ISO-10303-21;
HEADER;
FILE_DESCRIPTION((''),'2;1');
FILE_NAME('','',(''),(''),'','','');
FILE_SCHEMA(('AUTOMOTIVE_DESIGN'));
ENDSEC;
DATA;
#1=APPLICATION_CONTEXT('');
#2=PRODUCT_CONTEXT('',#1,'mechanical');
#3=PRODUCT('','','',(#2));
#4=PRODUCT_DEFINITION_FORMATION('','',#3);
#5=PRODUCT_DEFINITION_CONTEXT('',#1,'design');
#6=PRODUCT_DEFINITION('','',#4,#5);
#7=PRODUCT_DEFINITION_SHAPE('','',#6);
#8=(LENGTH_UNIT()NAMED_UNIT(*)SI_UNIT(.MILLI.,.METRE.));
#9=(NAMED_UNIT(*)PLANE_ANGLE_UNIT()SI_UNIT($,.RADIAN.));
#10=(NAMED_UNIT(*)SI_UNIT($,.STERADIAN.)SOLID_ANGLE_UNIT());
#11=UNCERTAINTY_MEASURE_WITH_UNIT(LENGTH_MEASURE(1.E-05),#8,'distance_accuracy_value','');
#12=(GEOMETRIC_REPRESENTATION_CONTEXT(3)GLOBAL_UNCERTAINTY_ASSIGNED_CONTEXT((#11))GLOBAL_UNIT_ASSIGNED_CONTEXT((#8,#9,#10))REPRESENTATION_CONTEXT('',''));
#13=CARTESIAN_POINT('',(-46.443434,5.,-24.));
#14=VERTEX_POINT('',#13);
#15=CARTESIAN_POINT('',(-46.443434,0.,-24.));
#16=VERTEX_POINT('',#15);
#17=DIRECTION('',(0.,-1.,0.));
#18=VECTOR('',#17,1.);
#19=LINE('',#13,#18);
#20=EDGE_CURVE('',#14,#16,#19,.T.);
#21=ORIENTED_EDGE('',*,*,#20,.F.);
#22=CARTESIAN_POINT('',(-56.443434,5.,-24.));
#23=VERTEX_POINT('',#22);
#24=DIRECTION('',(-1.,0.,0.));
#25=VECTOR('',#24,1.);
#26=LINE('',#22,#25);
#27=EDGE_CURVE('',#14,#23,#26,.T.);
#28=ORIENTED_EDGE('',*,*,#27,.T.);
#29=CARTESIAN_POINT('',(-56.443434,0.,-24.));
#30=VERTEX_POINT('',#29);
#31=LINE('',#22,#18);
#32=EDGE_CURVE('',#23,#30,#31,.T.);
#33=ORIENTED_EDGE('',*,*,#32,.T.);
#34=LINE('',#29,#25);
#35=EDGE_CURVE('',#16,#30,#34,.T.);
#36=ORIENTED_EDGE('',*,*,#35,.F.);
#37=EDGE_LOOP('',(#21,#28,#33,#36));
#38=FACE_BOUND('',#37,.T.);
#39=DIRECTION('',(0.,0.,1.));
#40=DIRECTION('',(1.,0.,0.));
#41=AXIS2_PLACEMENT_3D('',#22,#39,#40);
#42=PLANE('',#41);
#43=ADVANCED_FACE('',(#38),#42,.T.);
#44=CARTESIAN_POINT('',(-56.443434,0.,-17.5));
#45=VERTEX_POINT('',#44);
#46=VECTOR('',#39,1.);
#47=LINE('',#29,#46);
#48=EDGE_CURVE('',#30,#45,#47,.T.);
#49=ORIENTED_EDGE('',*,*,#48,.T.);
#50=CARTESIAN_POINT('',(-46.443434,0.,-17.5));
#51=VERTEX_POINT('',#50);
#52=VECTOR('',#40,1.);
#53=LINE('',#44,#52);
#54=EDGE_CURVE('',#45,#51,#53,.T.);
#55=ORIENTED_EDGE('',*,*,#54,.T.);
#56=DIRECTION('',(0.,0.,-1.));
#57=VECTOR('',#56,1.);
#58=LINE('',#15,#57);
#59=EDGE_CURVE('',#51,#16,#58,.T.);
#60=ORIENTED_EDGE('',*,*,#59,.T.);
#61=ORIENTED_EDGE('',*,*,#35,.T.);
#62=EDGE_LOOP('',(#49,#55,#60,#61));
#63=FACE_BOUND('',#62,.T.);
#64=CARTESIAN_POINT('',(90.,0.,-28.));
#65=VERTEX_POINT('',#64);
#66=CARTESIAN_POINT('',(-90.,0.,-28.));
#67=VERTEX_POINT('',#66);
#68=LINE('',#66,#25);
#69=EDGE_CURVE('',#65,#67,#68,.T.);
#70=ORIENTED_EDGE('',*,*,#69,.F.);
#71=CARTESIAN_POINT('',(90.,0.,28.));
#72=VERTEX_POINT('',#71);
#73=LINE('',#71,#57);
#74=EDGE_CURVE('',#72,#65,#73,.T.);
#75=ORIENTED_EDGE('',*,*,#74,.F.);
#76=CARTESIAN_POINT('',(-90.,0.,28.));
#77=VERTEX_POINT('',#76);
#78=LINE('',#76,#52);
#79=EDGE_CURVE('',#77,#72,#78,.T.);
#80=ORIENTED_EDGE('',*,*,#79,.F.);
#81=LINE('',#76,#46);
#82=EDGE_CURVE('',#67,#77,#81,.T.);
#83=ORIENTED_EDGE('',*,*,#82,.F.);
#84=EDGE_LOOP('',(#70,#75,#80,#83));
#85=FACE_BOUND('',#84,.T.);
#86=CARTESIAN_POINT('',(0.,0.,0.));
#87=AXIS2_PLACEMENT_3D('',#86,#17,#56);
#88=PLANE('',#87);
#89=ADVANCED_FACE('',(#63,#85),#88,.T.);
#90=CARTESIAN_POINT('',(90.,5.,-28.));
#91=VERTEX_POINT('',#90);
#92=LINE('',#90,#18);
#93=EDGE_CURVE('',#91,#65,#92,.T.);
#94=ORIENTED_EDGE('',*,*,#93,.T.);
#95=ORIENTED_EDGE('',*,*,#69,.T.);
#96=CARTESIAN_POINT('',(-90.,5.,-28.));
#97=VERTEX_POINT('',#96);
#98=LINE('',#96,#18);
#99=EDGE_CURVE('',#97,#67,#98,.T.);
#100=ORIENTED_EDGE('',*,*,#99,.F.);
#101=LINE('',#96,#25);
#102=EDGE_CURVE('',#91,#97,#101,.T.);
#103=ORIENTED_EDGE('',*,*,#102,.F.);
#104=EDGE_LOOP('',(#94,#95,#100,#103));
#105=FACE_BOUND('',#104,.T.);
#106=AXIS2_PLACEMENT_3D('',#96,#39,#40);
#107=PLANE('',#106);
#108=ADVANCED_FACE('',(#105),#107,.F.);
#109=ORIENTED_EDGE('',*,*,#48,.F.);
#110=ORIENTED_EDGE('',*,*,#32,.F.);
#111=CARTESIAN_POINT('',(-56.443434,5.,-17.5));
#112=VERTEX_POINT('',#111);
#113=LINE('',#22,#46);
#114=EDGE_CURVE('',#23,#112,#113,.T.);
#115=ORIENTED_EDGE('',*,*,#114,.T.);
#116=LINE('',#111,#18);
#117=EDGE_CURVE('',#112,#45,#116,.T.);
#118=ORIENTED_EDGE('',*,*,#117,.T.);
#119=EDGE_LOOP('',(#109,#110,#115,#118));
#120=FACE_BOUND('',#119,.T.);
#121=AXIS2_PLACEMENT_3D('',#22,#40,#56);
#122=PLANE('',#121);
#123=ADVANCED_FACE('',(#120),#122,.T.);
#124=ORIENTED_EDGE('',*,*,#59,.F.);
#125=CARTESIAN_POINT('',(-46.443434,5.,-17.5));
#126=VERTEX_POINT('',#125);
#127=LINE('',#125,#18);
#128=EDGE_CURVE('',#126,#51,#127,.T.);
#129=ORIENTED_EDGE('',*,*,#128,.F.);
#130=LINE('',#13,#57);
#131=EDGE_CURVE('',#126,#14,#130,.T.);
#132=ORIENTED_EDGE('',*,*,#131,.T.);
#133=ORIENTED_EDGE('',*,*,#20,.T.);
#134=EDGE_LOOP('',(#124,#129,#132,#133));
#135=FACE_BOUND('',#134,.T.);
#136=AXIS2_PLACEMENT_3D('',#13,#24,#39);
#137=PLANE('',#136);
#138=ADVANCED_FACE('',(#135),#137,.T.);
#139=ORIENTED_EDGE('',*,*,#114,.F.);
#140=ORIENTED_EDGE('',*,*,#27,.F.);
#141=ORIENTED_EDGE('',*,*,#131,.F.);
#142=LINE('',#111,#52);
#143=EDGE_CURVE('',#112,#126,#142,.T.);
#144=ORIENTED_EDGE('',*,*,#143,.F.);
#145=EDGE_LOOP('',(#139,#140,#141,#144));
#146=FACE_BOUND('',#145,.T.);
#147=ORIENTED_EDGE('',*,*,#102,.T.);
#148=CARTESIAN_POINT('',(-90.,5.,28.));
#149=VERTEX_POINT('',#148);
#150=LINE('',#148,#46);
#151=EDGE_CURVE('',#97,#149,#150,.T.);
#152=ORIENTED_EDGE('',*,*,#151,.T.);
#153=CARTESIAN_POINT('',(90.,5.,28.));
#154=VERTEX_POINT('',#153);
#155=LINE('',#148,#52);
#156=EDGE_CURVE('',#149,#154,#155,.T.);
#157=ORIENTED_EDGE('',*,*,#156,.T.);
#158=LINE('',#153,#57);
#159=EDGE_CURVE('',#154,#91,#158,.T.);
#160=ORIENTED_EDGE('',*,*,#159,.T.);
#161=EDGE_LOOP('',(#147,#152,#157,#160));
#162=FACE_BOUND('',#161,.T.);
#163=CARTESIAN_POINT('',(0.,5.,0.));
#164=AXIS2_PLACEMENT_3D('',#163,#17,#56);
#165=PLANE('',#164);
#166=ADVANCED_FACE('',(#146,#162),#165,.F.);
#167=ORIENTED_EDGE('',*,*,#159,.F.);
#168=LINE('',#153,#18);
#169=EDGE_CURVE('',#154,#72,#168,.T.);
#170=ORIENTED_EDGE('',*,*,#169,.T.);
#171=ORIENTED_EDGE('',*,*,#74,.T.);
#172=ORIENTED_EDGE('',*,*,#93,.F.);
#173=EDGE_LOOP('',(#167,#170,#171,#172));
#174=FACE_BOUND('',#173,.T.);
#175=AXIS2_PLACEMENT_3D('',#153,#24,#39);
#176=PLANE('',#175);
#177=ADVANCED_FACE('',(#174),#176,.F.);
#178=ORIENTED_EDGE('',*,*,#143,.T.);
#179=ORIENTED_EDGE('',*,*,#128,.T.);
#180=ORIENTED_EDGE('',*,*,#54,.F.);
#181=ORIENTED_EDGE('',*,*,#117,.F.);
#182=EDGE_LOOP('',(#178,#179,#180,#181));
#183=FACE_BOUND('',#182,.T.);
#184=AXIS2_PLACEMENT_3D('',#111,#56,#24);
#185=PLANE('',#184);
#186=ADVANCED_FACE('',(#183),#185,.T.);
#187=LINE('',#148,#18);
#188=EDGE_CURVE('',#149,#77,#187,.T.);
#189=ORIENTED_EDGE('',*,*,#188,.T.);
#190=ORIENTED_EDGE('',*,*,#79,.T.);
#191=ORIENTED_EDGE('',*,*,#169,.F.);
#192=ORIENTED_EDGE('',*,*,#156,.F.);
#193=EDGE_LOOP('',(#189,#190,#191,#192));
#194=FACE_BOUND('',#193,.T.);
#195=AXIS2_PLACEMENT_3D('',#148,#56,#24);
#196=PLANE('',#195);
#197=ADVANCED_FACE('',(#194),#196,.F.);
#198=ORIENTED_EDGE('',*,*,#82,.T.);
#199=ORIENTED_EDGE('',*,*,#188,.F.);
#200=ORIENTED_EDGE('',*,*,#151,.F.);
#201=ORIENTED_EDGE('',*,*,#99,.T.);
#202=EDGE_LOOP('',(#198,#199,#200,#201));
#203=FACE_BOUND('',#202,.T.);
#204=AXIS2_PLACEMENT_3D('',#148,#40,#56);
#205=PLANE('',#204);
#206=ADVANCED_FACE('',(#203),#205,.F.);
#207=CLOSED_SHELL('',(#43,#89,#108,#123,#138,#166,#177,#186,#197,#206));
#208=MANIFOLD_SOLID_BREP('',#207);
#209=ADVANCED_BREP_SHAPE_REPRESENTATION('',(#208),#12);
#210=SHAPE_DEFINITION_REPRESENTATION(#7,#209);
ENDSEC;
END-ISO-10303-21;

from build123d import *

# Parameters (mm, degrees)
IZIM1_W                     = 180
IZIM1_H                     = 56
IZIM1_W_2                   = 10
IZIM1_H_2                   = 6.5
Y_KSEKLIK_EKSTR_ZYON1_DEPTH = 5


with BuildPart() as part:
    # Çizim1 → Yükseklik-Ekstrüzyon1 (new body)
    with BuildSketch(Plane(origin=(0, 0, 0), x_dir=(1, 0, 0), z_dir=(0, 1, 0))):
        Rectangle(IZIM1_W, IZIM1_H)
        with Locations((-51.44343362, 20.75)):
            Rectangle(IZIM1_W_2, IZIM1_H_2, mode=Mode.SUBTRACT)
    extrude(amount=Y_KSEKLIK_EKSTR_ZYON1_DEPTH)


solid = part.part
